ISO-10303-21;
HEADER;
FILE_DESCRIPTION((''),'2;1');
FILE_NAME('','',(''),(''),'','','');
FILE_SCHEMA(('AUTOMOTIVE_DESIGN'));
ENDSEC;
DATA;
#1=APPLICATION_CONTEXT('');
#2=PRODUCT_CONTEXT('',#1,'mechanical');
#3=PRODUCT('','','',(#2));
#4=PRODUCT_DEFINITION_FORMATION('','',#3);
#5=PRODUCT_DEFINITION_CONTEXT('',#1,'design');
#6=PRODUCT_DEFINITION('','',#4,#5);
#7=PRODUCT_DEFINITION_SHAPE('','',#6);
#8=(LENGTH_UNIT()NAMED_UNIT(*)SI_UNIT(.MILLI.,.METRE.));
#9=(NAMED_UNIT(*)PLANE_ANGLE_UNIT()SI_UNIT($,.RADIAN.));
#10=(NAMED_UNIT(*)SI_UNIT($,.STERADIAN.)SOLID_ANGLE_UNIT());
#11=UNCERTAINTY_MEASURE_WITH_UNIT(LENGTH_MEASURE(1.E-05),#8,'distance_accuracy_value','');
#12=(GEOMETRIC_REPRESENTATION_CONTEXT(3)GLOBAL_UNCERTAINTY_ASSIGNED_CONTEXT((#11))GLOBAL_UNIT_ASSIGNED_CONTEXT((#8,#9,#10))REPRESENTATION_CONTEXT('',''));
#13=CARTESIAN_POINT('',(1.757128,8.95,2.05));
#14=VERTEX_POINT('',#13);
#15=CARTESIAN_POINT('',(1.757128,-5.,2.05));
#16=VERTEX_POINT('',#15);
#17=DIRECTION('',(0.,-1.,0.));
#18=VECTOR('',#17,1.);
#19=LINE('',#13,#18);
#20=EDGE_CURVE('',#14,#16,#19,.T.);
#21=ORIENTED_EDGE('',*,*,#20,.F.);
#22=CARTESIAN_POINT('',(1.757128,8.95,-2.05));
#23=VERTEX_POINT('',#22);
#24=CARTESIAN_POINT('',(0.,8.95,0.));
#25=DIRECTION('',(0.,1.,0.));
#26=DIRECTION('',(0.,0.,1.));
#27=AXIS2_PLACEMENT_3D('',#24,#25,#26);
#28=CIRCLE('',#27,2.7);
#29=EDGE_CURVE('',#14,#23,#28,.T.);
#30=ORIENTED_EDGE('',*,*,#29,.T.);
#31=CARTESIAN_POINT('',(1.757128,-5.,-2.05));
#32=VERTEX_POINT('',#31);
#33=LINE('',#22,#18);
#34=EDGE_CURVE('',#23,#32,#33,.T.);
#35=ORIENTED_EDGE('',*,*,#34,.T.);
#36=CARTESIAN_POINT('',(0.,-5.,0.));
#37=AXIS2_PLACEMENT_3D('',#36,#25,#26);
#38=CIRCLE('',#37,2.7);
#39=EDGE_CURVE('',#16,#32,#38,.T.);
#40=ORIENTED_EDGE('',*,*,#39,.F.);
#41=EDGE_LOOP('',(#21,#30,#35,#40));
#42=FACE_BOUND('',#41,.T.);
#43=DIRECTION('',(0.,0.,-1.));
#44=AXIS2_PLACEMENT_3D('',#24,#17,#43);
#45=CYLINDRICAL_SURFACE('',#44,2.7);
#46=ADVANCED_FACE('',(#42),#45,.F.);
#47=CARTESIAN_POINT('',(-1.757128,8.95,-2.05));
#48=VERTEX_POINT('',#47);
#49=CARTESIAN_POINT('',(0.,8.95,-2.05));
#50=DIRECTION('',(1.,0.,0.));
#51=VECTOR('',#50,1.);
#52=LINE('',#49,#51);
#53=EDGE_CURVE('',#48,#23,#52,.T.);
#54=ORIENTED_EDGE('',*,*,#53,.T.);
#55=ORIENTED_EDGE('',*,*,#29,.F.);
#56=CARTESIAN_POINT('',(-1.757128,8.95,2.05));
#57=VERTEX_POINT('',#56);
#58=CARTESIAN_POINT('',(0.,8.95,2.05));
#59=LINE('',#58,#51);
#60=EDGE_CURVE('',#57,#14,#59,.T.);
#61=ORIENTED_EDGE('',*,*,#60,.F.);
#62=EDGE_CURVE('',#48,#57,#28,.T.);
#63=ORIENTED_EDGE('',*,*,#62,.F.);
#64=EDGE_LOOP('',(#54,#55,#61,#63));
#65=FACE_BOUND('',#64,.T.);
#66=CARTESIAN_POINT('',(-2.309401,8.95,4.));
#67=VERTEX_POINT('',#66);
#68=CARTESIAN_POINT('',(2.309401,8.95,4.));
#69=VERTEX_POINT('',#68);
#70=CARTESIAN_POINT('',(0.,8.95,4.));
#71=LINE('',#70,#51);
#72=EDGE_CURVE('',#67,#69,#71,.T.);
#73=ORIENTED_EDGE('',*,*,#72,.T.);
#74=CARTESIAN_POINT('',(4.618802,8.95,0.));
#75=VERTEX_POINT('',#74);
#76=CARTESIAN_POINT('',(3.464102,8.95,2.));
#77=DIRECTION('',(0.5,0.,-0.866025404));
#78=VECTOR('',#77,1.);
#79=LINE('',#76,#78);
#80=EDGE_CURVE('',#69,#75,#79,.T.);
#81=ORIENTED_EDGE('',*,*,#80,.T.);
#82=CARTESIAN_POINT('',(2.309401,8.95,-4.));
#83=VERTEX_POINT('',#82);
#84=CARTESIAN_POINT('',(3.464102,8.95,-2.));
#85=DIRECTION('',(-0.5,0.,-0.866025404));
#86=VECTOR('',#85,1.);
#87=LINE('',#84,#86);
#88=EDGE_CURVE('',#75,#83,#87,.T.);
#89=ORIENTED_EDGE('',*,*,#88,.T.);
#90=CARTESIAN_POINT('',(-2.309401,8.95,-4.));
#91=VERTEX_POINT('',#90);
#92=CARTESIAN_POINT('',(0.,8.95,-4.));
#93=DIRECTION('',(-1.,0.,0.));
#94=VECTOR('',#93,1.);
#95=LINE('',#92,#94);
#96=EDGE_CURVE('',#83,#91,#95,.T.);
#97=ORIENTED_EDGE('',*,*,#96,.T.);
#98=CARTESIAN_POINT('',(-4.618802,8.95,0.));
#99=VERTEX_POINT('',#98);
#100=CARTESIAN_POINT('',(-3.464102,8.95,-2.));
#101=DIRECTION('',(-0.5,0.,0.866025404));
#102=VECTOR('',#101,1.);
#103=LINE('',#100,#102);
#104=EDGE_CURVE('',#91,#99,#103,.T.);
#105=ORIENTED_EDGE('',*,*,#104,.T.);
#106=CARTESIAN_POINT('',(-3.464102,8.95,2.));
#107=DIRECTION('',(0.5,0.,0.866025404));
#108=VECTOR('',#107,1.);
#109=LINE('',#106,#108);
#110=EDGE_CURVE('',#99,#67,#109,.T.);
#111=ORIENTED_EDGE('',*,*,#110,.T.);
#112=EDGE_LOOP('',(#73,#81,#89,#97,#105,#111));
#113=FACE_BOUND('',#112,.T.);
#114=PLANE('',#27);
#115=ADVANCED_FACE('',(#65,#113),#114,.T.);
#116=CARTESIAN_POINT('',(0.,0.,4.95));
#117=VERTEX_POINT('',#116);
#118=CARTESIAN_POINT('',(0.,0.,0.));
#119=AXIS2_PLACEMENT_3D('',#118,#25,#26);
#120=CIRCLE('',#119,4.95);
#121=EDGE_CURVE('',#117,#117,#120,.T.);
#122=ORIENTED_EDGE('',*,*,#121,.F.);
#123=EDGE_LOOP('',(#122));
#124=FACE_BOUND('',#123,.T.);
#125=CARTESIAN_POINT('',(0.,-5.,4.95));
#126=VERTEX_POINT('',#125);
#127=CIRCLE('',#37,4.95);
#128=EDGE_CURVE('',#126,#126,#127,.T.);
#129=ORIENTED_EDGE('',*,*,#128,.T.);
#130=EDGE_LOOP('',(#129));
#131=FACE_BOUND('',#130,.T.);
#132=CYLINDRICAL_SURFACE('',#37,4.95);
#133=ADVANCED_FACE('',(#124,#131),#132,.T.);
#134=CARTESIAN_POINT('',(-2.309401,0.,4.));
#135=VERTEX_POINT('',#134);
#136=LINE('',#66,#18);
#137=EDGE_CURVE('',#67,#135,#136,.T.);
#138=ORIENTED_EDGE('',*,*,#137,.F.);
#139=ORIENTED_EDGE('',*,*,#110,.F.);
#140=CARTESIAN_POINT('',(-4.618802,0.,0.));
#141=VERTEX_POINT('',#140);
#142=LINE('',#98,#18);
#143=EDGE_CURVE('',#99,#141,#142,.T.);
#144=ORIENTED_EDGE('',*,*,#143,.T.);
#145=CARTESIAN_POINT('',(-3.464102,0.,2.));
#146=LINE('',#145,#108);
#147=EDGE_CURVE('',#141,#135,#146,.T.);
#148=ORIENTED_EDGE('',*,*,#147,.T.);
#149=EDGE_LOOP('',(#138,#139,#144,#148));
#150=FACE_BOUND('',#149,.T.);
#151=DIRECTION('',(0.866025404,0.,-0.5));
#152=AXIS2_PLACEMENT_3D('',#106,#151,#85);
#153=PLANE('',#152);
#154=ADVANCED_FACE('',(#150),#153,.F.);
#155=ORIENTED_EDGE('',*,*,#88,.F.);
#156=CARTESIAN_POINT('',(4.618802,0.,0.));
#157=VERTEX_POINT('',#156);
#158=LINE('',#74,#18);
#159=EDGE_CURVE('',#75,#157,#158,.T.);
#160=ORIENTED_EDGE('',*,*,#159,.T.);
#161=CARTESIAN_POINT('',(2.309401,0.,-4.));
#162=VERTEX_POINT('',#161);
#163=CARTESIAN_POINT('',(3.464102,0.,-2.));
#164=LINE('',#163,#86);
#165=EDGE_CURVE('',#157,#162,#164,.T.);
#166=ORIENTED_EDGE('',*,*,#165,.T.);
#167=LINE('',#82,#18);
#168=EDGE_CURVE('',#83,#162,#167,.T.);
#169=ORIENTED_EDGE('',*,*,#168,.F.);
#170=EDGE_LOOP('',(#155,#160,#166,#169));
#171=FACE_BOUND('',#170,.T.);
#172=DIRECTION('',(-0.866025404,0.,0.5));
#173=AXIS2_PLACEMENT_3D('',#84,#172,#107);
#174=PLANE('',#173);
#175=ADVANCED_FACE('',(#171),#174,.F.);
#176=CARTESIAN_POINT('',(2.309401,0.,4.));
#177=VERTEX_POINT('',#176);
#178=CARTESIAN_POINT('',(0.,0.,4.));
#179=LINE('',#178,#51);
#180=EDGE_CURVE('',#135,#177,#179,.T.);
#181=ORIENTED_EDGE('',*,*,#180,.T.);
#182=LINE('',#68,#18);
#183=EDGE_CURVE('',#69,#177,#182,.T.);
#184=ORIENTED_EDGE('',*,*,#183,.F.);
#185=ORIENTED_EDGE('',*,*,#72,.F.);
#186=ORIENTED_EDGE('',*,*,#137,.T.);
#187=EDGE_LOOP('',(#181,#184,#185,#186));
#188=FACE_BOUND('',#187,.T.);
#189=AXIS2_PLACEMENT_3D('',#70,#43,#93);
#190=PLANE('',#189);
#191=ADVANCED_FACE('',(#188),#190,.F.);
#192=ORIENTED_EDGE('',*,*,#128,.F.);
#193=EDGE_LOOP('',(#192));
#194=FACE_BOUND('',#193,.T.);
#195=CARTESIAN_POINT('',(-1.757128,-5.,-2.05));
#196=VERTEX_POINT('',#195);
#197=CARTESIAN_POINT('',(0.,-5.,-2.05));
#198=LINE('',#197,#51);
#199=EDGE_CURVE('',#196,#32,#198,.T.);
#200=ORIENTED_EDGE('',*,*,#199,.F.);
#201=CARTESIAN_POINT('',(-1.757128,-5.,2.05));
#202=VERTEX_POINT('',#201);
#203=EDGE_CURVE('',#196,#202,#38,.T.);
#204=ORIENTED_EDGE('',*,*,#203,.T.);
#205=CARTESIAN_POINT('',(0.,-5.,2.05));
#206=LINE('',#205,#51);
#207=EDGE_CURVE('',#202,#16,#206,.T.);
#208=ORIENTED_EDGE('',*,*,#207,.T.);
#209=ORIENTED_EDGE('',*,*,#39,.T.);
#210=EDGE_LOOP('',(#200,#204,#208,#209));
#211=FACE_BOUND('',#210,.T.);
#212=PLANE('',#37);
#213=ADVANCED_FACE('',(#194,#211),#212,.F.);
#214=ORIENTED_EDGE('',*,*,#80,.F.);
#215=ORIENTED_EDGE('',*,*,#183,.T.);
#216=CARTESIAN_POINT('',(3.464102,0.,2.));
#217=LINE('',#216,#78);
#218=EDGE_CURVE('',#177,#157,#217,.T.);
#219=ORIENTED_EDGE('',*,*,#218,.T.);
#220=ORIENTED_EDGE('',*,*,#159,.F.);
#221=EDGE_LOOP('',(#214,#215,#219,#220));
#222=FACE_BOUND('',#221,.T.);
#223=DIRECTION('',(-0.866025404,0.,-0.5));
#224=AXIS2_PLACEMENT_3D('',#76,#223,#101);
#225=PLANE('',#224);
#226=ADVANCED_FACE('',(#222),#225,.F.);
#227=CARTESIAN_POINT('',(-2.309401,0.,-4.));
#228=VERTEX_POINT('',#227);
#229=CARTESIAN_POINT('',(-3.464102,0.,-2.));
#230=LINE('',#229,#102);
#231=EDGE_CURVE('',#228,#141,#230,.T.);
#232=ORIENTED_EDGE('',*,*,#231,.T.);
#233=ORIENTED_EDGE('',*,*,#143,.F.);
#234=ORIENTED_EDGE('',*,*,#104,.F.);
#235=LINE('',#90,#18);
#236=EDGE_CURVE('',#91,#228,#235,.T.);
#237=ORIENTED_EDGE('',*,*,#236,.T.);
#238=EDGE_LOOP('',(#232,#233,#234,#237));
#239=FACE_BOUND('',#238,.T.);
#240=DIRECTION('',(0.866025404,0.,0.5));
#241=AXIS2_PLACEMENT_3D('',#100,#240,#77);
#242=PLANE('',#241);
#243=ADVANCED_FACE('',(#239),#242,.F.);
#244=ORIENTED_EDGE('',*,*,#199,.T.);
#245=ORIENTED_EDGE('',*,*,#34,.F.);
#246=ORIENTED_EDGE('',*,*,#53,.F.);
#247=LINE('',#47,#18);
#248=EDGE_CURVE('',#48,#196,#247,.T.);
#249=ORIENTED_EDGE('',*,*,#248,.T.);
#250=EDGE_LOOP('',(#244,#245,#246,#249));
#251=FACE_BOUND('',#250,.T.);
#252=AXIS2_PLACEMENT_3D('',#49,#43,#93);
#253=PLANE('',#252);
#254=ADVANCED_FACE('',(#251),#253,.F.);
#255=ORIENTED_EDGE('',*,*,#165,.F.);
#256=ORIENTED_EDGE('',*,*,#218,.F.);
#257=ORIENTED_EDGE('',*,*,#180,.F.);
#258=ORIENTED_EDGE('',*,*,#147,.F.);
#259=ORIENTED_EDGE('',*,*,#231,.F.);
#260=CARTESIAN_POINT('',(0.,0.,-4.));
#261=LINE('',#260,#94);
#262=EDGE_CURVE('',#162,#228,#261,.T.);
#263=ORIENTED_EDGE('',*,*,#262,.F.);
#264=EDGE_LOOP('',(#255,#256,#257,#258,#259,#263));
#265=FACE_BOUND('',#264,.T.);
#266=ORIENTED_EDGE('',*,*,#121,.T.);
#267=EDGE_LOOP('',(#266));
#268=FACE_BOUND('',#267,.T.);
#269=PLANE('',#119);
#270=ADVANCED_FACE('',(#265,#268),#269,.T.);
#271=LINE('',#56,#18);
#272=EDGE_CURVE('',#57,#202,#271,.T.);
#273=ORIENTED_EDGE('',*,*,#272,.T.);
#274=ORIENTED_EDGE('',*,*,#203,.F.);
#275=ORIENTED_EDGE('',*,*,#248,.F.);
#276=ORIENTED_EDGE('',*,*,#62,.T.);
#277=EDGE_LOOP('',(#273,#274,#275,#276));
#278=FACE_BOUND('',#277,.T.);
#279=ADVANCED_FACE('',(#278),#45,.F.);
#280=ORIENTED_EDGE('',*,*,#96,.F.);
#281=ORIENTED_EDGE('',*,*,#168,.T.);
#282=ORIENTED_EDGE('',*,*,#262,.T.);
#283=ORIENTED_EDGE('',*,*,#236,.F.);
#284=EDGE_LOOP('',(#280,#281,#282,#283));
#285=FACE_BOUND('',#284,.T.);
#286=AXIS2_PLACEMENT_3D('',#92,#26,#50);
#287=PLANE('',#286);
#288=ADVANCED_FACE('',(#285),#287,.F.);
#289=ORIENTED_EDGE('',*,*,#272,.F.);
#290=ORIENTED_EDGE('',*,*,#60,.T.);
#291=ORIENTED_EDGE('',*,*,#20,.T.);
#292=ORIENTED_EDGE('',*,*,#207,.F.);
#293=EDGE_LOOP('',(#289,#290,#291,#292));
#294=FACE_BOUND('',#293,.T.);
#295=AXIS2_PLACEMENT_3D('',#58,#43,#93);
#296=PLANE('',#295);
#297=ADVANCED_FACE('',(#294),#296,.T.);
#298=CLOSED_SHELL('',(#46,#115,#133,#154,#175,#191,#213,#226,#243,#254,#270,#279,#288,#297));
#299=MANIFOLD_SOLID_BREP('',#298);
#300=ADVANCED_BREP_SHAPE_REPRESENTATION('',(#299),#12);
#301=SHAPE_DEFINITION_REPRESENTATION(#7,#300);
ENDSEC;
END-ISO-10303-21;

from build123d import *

# Parameters (mm, degrees)
BOSS_EXTRUDE1_DEPTH = 8.95
BOSS_EXTRUDE2_START = -5
SKETCH1_3_R         = 4.95
BOSS_EXTRUDE2_DEPTH = 5


with BuildPart() as part:
    # Sketch1 → Boss-Extrude1 (new body)
    with BuildSketch(Plane(origin=(0, 0, 0), x_dir=(1, 0, 0), z_dir=(0, 1, 0))):
        Polygon((4.618802154, 0), (2.309401077, 4), (-2.309401077, 4), (-4.618802154, 0), (-2.309401077, -4), (2.309401077, -4), align=None)
        with BuildLine():
            ThreePointArc((-1.757128339, -2.05), (-2.7, 0), (-1.757128339, 2.05))
            Line((-1.757128339, 2.05), (1.757128339, 2.05))
            ThreePointArc((1.757128339, 2.05), (2.7, 0), (1.757128339, -2.05))
            Line((1.757128339, -2.05), (-1.757128339, -2.05))
        make_face(mode=Mode.SUBTRACT)
    extrude(amount=BOSS_EXTRUDE1_DEPTH)

    # Sketch1<3> → Boss-Extrude2 (add)
    with BuildSketch(Plane(origin=(0, 0, 0), x_dir=(1, 0, 0), z_dir=(0, 1, 0)).offset(BOSS_EXTRUDE2_START)):
        Circle(SKETCH1_3_R)
        with BuildLine():
            ThreePointArc((-1.757128339, -2.05), (-2.7, 0), (-1.757128339, 2.05))
            Line((-1.757128339, 2.05), (1.757128339, 2.05))
            ThreePointArc((1.757128339, 2.05), (2.7, 0), (1.757128339, -2.05))
            Line((1.757128339, -2.05), (-1.757128339, -2.05))
        make_face(mode=Mode.SUBTRACT)
    extrude(amount=BOSS_EXTRUDE2_DEPTH)


solid = part.part
